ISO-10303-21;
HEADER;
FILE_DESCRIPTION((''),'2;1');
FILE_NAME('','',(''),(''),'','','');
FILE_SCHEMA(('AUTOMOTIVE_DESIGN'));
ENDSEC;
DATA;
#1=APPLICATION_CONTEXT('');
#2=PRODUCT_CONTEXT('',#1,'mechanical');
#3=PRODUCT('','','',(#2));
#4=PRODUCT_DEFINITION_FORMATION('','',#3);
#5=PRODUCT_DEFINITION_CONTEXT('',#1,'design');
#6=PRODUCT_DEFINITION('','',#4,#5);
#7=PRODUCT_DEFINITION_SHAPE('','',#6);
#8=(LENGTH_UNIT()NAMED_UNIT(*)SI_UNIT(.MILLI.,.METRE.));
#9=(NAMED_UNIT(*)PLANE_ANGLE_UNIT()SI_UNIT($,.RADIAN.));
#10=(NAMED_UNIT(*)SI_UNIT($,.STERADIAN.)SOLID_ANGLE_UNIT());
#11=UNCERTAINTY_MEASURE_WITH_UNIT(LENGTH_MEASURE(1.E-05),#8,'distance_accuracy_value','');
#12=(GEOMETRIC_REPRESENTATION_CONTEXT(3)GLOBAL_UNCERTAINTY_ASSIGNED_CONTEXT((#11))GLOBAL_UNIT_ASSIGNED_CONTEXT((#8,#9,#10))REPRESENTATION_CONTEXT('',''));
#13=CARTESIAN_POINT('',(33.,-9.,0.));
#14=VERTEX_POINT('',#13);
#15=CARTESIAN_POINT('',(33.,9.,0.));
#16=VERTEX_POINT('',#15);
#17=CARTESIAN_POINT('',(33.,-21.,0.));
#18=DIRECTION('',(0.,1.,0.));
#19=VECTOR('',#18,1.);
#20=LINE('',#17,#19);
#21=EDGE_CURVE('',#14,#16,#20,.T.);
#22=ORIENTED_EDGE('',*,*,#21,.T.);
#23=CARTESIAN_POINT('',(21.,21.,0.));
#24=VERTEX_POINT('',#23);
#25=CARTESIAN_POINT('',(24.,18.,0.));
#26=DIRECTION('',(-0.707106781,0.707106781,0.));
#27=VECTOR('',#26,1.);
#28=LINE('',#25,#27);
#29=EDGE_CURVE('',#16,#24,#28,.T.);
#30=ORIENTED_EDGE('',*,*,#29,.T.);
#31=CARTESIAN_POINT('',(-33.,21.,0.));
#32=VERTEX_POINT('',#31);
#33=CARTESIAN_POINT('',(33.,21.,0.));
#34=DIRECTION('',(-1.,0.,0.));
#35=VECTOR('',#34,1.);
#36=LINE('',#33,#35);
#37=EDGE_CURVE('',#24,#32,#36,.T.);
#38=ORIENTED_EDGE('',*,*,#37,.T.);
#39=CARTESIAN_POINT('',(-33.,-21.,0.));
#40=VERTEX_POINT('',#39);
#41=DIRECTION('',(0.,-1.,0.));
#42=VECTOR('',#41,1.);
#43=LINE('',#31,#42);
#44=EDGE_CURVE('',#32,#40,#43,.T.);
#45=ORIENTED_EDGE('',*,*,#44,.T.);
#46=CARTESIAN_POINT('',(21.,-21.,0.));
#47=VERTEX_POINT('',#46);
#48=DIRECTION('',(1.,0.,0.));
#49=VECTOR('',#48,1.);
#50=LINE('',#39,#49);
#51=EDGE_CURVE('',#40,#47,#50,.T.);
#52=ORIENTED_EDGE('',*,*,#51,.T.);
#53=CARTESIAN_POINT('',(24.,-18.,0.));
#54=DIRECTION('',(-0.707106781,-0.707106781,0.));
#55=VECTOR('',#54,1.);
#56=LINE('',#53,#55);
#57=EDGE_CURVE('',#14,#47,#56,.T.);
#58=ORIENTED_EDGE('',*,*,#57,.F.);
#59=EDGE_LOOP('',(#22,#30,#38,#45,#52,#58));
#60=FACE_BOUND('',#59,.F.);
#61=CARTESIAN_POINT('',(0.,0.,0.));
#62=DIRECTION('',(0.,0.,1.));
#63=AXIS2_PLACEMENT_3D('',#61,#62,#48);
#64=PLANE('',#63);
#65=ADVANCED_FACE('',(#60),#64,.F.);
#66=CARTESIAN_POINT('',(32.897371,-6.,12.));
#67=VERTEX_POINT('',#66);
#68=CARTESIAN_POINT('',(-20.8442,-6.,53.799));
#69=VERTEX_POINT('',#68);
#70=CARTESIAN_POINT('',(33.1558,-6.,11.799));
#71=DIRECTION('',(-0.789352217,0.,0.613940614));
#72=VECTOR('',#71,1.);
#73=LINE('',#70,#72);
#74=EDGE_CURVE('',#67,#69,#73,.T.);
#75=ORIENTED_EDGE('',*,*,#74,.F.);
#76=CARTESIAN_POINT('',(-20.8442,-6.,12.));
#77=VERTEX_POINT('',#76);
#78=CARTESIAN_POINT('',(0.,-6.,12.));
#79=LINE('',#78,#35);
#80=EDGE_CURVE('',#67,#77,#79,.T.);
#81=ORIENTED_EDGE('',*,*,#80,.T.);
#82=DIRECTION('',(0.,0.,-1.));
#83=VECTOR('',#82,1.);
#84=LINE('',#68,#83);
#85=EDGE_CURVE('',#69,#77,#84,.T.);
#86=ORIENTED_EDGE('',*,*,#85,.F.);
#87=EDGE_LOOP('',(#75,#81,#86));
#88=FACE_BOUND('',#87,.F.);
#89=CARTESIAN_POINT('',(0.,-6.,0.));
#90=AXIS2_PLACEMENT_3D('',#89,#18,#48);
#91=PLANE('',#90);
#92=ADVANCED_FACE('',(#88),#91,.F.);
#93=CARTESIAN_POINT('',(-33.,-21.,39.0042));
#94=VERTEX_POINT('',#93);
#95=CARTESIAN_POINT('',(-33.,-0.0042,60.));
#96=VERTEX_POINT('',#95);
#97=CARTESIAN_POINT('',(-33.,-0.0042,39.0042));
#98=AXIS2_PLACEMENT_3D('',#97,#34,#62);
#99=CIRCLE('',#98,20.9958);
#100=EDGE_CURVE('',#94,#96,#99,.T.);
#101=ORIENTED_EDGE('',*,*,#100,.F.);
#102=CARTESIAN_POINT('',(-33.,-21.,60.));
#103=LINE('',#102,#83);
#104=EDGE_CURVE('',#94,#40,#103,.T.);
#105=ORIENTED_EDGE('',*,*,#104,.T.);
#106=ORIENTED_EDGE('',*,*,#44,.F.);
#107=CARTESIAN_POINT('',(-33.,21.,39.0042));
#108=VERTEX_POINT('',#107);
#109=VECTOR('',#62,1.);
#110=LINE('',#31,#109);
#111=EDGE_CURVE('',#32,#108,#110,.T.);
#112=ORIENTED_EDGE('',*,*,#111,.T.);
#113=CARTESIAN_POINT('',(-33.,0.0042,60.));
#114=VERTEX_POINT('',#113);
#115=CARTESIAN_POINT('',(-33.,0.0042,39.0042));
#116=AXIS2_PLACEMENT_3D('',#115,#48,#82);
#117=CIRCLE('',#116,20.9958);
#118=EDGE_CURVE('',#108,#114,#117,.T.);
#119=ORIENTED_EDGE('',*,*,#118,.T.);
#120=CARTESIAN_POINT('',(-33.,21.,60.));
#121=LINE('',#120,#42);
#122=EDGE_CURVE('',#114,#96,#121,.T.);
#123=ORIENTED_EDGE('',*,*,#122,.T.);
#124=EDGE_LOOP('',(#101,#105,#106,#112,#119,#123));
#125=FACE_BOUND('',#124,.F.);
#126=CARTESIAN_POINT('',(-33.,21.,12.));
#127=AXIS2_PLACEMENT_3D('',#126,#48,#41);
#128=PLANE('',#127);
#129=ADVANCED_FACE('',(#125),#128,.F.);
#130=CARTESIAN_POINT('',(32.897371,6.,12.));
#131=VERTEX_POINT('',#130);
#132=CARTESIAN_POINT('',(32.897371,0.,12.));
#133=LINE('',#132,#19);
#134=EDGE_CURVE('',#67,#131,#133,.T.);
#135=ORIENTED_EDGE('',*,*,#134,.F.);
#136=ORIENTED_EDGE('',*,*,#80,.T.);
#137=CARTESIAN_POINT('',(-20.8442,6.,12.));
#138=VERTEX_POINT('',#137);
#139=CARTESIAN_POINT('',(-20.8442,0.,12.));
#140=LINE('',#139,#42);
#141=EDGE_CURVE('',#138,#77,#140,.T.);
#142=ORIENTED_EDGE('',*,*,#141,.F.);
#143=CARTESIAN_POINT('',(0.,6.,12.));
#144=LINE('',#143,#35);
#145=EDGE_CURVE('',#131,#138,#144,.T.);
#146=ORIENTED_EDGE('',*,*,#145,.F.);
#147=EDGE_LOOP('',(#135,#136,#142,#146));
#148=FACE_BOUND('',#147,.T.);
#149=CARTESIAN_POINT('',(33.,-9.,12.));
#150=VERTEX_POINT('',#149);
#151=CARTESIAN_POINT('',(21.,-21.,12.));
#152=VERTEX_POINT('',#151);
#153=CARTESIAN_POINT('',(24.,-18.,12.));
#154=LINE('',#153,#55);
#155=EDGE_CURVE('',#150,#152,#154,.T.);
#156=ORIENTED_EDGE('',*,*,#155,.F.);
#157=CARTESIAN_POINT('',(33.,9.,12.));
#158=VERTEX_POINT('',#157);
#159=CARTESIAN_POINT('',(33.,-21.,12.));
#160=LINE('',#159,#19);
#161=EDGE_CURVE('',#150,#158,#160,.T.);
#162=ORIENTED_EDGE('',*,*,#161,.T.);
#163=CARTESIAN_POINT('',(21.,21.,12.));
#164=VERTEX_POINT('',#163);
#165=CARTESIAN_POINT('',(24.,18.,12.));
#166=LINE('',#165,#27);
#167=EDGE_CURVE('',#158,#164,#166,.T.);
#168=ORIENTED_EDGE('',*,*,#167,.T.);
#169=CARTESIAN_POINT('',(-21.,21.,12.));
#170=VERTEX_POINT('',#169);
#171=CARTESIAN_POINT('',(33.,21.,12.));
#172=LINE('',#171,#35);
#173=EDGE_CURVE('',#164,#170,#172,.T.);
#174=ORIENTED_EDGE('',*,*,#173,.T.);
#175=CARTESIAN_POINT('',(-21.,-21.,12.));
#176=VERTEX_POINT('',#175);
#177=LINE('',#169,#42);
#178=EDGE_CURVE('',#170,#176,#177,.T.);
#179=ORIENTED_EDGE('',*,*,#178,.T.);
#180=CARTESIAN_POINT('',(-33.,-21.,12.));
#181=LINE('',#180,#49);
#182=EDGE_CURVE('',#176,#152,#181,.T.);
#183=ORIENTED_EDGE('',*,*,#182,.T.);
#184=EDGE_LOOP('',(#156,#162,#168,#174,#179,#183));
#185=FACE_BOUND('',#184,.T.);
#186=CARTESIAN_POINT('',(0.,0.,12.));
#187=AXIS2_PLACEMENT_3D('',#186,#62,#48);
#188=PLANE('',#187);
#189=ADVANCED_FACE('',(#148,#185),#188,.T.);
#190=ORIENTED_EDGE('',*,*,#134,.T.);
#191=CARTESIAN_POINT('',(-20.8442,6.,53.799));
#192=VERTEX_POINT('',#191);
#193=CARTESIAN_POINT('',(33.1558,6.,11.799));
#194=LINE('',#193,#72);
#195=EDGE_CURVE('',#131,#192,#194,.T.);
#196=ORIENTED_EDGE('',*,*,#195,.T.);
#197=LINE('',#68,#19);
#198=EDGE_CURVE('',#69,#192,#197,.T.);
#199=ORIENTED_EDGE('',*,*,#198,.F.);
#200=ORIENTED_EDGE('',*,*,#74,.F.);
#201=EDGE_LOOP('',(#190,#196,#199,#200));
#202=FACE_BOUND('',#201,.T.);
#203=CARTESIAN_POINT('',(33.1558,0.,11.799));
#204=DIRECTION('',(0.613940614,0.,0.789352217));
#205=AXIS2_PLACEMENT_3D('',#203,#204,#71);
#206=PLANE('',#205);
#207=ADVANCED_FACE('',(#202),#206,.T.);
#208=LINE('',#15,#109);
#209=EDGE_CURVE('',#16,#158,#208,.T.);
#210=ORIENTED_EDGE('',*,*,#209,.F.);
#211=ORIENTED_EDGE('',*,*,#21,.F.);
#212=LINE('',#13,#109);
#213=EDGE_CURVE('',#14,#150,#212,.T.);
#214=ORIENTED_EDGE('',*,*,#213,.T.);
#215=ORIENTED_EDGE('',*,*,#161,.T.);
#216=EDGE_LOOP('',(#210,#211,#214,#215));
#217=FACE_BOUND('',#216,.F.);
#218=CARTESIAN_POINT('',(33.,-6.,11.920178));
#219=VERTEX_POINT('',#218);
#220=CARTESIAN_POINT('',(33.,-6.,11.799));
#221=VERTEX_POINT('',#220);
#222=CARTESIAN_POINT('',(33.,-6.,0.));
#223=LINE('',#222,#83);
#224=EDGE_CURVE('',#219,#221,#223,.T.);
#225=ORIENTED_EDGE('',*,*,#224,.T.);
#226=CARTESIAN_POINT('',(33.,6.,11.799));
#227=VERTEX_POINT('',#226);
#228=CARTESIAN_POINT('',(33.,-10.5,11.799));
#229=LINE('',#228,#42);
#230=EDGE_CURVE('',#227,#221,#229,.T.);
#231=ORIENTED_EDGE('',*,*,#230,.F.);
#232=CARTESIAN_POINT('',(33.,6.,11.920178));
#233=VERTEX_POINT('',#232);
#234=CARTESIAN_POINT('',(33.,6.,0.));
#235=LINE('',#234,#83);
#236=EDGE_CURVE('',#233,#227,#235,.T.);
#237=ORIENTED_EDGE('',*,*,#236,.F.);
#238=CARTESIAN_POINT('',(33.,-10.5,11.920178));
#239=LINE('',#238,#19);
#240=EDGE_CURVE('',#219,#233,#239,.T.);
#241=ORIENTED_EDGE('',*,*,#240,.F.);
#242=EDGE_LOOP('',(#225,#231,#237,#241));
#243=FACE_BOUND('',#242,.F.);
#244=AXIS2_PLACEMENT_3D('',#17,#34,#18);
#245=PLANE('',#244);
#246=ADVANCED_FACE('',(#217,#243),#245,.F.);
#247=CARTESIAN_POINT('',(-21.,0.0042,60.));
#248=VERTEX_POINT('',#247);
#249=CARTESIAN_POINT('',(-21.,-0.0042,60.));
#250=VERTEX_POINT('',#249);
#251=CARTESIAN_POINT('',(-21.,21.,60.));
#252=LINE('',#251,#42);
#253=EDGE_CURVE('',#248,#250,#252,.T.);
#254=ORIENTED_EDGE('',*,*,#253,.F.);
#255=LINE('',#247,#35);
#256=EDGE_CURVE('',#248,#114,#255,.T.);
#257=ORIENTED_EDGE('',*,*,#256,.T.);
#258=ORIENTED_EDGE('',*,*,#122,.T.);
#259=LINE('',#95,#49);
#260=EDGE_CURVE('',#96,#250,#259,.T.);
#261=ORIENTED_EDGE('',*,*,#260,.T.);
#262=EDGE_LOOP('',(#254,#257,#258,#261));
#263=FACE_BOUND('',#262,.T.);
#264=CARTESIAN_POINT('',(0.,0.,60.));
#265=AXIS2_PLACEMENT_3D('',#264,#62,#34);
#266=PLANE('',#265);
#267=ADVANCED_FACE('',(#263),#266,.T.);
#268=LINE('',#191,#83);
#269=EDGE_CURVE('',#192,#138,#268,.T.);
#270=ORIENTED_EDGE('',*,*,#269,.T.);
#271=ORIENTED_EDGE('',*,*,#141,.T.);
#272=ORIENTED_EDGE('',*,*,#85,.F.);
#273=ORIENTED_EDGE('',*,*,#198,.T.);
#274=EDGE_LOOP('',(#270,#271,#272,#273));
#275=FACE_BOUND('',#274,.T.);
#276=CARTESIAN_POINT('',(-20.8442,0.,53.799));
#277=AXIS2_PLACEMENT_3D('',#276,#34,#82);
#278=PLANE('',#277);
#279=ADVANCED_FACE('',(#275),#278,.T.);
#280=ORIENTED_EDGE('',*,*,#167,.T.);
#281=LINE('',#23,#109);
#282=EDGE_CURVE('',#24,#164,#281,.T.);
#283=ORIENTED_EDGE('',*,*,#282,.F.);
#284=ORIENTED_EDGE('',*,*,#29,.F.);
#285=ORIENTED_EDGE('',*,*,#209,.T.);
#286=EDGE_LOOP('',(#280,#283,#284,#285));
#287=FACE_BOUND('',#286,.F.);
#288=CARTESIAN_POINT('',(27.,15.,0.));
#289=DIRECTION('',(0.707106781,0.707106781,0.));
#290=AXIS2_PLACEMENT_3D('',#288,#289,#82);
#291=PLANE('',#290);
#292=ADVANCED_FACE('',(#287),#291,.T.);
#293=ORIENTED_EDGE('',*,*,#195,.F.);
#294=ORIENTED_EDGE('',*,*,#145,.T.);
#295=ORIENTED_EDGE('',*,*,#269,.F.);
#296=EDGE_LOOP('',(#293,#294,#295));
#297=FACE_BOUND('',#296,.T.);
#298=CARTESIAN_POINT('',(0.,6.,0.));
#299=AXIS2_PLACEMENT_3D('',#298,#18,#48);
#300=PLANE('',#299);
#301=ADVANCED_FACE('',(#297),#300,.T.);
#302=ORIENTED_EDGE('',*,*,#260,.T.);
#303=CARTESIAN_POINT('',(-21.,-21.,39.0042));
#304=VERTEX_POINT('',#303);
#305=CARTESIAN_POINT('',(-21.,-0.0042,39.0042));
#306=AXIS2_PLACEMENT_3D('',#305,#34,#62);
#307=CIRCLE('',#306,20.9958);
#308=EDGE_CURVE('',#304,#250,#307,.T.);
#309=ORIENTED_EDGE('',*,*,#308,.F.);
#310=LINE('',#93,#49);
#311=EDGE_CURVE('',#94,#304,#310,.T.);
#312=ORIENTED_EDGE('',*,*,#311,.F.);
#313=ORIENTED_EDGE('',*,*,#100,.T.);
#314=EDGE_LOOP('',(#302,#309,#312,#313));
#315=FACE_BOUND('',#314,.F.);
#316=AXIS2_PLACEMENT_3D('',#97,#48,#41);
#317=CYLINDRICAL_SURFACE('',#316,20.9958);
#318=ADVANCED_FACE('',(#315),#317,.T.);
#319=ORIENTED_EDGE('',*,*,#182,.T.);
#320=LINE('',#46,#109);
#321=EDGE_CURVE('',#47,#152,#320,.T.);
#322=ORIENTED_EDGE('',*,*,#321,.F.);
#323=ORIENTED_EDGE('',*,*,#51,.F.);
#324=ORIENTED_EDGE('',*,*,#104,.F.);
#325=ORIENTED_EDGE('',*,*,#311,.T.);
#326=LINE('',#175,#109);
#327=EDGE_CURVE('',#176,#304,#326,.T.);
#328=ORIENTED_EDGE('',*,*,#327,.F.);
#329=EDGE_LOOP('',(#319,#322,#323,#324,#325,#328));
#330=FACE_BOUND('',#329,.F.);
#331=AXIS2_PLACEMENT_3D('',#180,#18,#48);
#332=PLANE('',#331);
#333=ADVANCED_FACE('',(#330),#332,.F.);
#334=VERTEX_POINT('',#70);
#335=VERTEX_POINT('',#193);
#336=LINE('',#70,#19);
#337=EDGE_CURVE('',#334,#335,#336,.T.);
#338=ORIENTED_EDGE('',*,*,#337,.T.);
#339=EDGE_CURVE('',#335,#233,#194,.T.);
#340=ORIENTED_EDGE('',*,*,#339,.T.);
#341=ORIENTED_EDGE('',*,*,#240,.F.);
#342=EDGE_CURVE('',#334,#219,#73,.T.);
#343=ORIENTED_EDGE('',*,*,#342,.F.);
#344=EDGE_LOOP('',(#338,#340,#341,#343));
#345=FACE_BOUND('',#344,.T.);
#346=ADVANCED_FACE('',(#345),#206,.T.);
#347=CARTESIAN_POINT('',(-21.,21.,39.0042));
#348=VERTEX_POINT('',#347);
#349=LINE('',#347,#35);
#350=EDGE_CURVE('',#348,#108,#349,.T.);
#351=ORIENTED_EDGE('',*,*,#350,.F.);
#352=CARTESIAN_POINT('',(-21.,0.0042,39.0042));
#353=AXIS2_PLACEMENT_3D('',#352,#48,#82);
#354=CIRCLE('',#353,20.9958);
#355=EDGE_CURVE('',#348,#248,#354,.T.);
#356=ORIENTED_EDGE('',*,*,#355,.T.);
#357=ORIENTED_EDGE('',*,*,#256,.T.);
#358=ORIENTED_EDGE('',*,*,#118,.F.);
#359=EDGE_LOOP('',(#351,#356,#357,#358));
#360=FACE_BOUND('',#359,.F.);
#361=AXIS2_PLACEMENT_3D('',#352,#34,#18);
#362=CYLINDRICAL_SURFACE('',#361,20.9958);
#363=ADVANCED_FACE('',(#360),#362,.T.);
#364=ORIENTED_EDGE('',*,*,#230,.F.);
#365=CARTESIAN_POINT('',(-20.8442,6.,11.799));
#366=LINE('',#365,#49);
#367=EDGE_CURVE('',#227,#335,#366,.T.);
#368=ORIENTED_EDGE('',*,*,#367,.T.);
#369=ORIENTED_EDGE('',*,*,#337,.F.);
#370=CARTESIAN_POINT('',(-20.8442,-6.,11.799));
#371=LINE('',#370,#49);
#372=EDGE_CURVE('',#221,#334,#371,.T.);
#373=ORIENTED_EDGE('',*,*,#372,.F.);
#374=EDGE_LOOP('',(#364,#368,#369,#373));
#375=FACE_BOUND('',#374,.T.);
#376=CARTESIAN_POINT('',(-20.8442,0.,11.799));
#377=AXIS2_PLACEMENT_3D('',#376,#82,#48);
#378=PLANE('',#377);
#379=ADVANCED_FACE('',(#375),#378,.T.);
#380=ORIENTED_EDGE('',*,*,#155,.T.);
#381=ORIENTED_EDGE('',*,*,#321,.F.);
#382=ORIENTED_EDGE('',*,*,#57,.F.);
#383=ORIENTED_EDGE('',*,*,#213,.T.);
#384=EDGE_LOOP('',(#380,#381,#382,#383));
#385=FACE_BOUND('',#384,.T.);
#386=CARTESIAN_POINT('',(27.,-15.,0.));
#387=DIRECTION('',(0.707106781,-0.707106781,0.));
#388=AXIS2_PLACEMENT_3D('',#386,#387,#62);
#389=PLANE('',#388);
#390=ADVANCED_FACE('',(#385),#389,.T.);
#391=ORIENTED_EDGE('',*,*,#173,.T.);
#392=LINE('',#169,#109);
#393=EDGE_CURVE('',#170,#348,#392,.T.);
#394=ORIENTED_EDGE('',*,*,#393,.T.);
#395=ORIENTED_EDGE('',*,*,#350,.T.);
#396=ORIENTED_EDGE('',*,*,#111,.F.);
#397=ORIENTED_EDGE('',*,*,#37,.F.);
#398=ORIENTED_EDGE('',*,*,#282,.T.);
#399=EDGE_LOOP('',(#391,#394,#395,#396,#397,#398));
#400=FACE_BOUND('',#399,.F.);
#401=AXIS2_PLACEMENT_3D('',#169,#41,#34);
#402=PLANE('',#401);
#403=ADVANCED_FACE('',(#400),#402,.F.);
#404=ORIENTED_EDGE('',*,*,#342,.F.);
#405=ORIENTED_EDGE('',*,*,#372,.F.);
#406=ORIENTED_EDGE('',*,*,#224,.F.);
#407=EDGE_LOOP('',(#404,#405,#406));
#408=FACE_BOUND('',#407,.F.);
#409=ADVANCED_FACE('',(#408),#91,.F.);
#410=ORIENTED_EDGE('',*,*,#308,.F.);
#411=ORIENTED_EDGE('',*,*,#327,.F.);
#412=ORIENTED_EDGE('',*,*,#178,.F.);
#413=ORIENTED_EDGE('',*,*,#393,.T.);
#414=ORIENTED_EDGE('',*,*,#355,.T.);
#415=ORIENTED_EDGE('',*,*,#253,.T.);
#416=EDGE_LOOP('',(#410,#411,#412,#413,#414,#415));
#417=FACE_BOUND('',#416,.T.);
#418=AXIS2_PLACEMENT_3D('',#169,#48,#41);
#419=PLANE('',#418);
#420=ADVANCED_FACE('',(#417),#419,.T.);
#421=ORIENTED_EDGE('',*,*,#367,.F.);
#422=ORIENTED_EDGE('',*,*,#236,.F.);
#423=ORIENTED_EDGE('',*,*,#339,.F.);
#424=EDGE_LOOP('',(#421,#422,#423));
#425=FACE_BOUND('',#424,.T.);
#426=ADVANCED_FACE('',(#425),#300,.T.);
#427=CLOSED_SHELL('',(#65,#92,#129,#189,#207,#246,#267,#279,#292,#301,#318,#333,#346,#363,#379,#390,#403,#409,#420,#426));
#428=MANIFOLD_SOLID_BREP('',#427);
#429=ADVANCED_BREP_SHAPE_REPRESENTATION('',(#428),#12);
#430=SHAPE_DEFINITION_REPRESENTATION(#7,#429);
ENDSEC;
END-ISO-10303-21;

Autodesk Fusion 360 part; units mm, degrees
sketch "Sketch1" plane through (0, 0, 0) normal (0, 0, 1) x (1, 0, 0)
  line L0 (33, 21) -> (-33, 21)
  line L1 (-33, 21) -> (-33, -21)
  line L2 (-33, -21) -> (33, -21)
  line L3 (33, -21) -> (33, 21)
  line L4 (33, 21) -> (-33, -21) construction
  line L5 (-33, 21) -> (33, -21) construction
  dimension "d1" = 66
  dimension "d2" = 42
extrude "Extrude1" add sketch "Sketch1" along normal blind 12
chamfer "Chamfer1" distance 12 angle 45 2 edges at (33, -21, 6) (33, 21, 6)
sketch "Sketch2" plane through (0, 0, 12) normal (0, 0, 1) x (-1, 0, 0)
  line L0 (-33, -9) -> (-21, -21)
  line L1 (-21, -21) -> (33, -21)
  line L2 (33, -21) -> (33, 21)
  line L3 (33, 21) -> (-21, 21)
  line L4 (-21, 21) -> (-33, 9)
  line L5 (-33, 9) -> (-33, -9)
  line L6 (33, -21) -> (21, -21)
  line L7 (21, -21) -> (21, 21)
  line L8 (21, 21) -> (33, 21)
  line L9 (33, 21) -> (33, -21)
  dimension "d6" = 12
extrude "Extrude2" add sketch "Sketch2" along normal blind 48 contours L1 L2 L3 L6 L7 L8 L9
fillet "Fillet1" radius 21 2 edges at (-27, 21, 60) (-27, -21, 60)
sketch "Sketch3" plane through (0, 0, 0) normal (0, 1, 0) x (1, 0, 0)
  line L0 (-20.8442, -53.799) -> (-20.8442, -11.799)
  line L1 (-20.8442, -11.799) -> (33.1558, -11.799)
  line L2 (33.1558, -11.799) -> (-20.8442, -53.799)
  dimension "d11" = 42
  dimension "d12" = 54
extrude "Extrude3" add sketch "Sketch3" along normal mid plane 12
equation "d7 = 60 mm - 12 mm"
equation "d12 = 66 mm - 12 mm"
